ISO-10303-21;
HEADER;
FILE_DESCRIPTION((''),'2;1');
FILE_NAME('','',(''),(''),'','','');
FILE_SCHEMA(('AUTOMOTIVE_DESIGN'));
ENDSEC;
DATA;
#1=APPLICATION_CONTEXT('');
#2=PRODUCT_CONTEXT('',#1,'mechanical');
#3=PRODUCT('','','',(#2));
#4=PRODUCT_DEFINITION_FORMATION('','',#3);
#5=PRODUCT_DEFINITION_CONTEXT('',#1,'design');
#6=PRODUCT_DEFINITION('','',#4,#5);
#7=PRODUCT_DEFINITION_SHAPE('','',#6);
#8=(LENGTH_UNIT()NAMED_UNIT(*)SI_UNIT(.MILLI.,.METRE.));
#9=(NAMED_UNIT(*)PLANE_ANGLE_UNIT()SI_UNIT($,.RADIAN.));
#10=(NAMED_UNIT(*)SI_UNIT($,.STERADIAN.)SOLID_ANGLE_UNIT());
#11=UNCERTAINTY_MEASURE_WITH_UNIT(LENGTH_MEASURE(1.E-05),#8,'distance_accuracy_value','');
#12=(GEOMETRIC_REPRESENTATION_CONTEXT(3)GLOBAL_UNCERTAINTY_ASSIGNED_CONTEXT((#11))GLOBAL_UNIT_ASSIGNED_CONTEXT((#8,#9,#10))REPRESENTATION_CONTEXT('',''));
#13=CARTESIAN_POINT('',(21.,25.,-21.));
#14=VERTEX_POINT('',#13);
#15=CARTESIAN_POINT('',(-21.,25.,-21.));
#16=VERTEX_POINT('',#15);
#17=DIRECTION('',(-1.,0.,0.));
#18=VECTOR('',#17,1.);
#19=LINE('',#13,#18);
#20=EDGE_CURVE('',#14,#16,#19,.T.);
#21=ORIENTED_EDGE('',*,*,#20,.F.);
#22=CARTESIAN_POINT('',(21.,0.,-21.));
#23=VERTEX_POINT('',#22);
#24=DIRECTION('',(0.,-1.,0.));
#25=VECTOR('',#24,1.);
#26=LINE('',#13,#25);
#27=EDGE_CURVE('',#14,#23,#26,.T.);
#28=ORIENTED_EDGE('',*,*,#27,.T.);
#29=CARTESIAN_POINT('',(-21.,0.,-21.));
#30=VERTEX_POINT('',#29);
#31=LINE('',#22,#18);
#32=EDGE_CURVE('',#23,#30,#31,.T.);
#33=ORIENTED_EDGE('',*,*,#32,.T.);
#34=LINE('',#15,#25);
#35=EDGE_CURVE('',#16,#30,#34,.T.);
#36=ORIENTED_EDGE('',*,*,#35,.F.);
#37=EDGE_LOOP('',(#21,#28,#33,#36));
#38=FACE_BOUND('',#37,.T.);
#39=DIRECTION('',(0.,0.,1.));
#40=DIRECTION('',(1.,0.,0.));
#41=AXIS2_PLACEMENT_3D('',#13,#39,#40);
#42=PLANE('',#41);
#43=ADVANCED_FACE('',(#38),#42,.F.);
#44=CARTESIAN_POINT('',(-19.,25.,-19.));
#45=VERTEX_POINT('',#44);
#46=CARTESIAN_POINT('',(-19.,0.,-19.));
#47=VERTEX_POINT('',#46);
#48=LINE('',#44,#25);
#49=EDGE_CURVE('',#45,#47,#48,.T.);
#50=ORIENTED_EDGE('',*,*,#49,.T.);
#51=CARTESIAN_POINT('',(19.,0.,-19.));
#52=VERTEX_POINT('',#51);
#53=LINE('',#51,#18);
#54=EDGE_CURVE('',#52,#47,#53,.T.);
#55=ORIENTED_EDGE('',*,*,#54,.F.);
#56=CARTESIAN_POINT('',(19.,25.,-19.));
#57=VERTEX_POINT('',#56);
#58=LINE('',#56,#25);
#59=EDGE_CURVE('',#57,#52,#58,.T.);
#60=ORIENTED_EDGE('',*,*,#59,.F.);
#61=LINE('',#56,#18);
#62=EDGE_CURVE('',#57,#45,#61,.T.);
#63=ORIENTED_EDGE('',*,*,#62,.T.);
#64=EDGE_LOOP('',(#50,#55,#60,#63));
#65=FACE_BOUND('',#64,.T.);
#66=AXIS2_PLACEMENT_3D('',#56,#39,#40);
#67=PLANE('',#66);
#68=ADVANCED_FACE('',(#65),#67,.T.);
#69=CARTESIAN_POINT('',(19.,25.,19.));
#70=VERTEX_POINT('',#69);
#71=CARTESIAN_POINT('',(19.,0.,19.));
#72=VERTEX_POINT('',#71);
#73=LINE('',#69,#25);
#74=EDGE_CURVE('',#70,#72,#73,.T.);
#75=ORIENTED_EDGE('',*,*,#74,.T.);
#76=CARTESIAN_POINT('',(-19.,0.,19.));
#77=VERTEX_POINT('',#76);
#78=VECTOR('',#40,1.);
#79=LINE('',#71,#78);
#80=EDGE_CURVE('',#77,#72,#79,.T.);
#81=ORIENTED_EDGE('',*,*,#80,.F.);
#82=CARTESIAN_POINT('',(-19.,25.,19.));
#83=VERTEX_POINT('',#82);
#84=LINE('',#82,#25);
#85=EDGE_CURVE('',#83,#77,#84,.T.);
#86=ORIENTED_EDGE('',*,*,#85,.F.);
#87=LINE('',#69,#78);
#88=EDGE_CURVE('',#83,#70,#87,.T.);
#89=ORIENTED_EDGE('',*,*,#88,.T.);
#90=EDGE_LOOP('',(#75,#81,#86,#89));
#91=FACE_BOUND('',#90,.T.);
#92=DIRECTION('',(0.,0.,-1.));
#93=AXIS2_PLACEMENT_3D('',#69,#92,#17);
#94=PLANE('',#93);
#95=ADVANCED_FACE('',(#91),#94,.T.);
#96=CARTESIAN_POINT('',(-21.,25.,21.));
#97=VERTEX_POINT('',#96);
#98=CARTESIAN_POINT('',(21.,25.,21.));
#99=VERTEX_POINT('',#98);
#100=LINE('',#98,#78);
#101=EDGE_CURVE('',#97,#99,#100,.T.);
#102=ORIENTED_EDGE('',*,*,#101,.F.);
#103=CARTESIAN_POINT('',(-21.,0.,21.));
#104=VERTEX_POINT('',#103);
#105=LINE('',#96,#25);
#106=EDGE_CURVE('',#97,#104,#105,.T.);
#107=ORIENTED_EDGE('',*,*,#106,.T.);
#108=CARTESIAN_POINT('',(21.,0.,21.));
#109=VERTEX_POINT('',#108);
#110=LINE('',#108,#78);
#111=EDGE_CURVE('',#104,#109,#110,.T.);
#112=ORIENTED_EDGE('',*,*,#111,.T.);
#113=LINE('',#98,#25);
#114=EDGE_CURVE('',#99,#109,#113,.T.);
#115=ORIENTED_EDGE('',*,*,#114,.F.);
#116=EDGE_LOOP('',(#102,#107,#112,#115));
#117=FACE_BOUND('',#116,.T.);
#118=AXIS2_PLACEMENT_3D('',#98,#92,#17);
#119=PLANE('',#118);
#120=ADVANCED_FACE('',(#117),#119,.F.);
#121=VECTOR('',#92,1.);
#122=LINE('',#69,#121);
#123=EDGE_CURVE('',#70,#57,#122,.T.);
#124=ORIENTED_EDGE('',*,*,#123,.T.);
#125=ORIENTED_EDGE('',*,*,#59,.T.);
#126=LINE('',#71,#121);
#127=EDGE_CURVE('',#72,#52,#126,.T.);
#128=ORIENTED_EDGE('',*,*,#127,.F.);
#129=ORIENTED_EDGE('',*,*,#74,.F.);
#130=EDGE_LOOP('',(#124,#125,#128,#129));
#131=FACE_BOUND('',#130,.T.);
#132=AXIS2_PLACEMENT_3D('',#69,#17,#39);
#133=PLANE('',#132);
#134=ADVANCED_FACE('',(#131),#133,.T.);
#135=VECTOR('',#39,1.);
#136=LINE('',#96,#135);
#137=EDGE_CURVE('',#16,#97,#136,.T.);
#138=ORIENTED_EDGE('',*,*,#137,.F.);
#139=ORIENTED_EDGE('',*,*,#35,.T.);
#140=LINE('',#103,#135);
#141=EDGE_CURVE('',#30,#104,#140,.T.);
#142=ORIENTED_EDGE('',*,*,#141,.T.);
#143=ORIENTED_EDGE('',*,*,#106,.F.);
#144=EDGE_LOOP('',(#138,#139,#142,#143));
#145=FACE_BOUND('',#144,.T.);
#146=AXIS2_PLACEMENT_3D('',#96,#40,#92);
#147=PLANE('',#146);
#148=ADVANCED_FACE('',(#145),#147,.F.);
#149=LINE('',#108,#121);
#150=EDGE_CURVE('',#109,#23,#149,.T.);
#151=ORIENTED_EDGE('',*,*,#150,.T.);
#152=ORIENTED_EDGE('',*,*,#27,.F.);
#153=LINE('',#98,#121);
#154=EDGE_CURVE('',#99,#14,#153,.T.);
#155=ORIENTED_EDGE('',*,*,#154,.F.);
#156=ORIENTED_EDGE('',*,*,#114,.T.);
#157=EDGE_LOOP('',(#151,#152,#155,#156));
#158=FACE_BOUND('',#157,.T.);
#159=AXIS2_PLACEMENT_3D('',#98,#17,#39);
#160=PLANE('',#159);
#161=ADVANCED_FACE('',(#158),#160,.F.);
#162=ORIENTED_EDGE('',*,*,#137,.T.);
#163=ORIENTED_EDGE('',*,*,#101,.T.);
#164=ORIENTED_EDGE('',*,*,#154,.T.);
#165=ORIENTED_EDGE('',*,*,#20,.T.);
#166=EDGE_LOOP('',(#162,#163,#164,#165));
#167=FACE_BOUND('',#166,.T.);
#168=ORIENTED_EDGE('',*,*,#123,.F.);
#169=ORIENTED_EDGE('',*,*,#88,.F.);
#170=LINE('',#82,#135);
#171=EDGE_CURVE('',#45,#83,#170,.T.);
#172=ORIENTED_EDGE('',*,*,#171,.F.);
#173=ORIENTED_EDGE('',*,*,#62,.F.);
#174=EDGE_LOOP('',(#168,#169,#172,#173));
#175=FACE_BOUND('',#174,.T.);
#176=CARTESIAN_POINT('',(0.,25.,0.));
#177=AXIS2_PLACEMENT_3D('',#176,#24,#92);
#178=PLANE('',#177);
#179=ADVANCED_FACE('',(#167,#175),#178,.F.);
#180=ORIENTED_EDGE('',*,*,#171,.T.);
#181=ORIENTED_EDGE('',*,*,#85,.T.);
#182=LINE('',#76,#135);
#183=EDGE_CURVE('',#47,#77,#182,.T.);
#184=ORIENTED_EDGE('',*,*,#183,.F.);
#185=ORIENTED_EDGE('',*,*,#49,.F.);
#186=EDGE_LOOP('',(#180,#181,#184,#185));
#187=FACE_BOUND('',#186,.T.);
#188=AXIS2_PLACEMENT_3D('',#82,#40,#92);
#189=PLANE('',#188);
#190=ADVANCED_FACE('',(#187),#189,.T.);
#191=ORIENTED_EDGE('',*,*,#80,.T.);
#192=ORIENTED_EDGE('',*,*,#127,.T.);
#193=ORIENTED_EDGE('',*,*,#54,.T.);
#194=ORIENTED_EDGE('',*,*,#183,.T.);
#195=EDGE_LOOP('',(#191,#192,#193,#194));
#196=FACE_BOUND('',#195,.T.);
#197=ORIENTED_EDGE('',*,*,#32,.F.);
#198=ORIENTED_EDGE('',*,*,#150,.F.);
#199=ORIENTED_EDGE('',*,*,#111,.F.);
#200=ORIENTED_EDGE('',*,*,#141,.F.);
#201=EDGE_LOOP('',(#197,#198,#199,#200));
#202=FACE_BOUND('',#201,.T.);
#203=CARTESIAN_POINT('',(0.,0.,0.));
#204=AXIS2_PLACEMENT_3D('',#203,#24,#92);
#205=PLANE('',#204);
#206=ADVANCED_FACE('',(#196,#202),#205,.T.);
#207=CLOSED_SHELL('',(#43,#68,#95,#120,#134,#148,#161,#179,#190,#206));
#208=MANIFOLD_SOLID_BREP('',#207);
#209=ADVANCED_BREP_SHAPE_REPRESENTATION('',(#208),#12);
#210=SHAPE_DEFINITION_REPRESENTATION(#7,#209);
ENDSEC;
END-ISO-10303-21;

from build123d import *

# Parameters (mm, degrees)
SKETCH1_W           = 42
SKETCH1_H           = 42
SKETCH1_W_2         = 38
SKETCH1_H_2         = 38
BOSS_EXTRUDE1_DEPTH = 25


with BuildPart() as part:
    # Sketch1 → Boss-Extrude1 (new body)
    with BuildSketch(Plane(origin=(0, 0, 0), x_dir=(1, 0, 0), z_dir=(0, 1, 0))):
        Rectangle(SKETCH1_W, SKETCH1_H)
        Rectangle(SKETCH1_W_2, SKETCH1_H_2, mode=Mode.SUBTRACT)
    extrude(amount=BOSS_EXTRUDE1_DEPTH)


solid = part.part
